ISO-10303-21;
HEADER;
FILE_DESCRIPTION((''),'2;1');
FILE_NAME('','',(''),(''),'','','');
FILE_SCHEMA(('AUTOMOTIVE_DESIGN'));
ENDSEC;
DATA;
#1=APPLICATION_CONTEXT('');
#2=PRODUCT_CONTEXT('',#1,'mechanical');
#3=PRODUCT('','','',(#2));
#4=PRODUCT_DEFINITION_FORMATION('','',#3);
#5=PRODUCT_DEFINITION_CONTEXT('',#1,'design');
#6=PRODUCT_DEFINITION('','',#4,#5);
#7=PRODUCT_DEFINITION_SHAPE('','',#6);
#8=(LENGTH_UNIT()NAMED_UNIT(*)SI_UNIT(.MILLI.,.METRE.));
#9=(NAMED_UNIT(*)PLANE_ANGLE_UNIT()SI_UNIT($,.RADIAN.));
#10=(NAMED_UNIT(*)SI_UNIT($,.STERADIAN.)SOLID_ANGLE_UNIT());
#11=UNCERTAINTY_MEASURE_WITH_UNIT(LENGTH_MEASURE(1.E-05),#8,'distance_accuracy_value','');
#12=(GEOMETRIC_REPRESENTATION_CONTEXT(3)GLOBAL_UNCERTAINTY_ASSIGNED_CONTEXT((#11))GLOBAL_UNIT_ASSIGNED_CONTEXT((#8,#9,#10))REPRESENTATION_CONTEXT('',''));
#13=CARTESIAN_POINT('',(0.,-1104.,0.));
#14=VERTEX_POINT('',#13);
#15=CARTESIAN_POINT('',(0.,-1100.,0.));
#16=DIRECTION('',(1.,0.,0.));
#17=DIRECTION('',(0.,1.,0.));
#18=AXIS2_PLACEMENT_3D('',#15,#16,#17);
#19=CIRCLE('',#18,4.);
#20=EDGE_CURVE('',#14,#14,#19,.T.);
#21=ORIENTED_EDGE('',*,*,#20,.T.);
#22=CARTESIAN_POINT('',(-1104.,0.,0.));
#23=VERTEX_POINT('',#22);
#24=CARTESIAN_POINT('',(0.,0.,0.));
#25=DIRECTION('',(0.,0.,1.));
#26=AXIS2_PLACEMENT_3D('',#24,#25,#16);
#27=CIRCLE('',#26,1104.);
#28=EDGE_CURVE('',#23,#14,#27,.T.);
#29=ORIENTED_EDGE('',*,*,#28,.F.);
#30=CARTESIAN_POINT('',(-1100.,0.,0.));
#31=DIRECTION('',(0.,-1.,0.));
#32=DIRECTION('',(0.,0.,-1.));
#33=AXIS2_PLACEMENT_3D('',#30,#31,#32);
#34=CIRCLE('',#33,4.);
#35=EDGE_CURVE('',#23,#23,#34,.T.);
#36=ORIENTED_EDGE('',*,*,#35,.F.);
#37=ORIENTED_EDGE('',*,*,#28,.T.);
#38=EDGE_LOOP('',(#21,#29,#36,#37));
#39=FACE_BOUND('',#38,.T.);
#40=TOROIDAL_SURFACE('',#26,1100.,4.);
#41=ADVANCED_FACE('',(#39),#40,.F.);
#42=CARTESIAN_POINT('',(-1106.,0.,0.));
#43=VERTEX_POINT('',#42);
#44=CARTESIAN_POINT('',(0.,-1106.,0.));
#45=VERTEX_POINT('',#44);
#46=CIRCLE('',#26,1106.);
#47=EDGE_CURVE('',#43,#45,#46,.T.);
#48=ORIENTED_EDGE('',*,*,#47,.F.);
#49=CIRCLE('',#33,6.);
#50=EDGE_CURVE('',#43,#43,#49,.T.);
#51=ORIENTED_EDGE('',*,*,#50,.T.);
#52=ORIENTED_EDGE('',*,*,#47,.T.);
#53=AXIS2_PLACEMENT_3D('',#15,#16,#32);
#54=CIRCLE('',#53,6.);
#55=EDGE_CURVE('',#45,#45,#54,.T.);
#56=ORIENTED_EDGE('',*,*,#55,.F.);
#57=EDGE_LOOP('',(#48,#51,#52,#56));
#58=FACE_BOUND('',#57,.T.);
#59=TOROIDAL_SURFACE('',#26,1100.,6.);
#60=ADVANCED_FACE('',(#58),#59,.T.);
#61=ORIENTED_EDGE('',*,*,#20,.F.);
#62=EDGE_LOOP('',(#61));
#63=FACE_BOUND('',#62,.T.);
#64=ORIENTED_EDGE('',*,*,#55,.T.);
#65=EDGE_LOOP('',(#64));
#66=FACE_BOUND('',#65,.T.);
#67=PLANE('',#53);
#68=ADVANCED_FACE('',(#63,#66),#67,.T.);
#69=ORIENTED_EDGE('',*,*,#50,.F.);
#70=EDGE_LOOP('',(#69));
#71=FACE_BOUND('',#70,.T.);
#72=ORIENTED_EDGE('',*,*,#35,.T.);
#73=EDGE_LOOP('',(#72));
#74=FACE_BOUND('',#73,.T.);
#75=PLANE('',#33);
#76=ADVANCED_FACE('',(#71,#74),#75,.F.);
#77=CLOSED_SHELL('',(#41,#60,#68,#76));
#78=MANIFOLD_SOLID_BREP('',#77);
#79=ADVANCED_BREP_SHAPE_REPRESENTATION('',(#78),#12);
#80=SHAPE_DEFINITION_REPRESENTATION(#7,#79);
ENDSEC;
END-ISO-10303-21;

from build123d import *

# Parameters (mm, degrees)
SWEEP_1_PROFILE_R   = 6
SWEEP_1_PROFILE_R_2 = 4


with BuildPart() as part:
    # 扫描-薄件1: sweep along a path in 草图1
    with BuildLine(Plane.XY) as sweep_1_path:
        ThreePointArc((-1100, 0), (-777.817459305, -777.817459305), (0, -1100))
    # 扫描-薄件1 profile (on start of the path) → 扫描-薄件1 (sweep)
    with BuildSketch(Plane(origin=(-1100, 0, 0), x_dir=(-1, 0, 0), z_dir=(0, -1, 0))):
        Circle(SWEEP_1_PROFILE_R)
        Circle(SWEEP_1_PROFILE_R_2, mode=Mode.SUBTRACT)
    sweep(path=sweep_1_path.line)


solid = part.part
